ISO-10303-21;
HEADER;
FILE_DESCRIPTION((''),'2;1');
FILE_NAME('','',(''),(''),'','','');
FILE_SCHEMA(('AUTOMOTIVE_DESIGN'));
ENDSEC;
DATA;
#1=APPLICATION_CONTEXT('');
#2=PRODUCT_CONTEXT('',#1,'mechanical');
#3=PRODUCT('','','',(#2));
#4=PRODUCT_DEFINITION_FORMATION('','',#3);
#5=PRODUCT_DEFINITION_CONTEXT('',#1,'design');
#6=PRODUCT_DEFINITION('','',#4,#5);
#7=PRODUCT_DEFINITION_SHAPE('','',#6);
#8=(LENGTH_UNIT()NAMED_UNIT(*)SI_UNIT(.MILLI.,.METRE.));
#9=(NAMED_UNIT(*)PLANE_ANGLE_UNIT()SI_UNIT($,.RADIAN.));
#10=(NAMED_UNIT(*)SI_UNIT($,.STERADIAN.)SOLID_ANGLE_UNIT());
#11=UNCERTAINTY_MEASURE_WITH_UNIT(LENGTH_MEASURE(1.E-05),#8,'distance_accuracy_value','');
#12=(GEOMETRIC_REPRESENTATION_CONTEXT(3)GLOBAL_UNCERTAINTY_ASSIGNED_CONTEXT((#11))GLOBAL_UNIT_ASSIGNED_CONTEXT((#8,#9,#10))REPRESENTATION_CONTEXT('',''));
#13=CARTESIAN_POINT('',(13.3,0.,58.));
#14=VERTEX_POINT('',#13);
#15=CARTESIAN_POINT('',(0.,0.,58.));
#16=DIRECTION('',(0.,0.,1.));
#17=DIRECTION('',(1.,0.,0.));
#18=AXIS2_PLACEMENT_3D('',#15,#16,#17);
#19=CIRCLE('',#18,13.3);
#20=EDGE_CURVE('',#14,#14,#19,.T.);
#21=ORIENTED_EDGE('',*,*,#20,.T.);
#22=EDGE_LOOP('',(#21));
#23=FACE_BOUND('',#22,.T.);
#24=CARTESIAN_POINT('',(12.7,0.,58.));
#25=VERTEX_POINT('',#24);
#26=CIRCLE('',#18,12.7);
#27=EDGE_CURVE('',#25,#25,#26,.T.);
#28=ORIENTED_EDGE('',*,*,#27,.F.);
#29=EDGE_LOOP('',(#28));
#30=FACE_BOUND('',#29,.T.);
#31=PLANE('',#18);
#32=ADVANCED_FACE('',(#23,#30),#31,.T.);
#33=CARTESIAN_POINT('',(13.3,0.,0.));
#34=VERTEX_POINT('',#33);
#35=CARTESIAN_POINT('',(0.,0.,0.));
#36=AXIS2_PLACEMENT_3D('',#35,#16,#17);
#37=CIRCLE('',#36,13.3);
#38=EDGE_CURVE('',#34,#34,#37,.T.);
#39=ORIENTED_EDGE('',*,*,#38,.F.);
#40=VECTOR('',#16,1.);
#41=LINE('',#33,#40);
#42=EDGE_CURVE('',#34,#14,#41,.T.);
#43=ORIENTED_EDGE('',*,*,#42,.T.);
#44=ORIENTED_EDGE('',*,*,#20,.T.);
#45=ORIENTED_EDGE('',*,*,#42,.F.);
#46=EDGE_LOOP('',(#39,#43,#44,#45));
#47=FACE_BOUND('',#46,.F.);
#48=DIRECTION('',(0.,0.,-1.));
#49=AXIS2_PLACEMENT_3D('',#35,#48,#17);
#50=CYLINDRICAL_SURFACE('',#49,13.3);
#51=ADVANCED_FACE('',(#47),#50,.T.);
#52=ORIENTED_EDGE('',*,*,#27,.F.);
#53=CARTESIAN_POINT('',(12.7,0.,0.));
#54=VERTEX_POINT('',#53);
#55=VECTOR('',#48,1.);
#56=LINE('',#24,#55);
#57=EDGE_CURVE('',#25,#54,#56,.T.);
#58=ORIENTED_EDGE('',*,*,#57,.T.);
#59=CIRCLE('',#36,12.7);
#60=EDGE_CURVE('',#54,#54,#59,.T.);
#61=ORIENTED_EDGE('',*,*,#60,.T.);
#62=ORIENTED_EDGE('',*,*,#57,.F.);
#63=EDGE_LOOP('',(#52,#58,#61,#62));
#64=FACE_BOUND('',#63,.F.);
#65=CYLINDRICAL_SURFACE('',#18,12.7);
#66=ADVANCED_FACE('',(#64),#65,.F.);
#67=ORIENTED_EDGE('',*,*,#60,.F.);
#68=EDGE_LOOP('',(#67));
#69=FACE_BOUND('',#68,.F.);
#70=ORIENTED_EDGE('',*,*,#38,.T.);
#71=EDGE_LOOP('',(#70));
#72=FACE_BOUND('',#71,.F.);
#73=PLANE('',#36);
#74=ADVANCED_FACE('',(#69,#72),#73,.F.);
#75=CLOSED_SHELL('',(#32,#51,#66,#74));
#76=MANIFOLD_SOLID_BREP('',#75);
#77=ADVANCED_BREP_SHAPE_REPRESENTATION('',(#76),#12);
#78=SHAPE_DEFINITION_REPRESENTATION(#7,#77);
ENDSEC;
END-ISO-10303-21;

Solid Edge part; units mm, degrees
sketch "Sketch1" plane through (0, 0, 0) normal (0, 0, 1) x (1, 0, 0)
  circle A0 centre (0, 0) radius 13.3
extrude "Protrusion1" add sketch "Sketch1" along normal blind 58
sketch "Sketch2" plane through (0, 0, 58) normal (0, 0, 1) x (1, 0, 0)
  circle A0 centre (0, 0) radius 12.7
extrude "ExtrudedCutout_1" cut sketch "Sketch2" against normal blind 58
properties material "Epoxy, cast rigid"
